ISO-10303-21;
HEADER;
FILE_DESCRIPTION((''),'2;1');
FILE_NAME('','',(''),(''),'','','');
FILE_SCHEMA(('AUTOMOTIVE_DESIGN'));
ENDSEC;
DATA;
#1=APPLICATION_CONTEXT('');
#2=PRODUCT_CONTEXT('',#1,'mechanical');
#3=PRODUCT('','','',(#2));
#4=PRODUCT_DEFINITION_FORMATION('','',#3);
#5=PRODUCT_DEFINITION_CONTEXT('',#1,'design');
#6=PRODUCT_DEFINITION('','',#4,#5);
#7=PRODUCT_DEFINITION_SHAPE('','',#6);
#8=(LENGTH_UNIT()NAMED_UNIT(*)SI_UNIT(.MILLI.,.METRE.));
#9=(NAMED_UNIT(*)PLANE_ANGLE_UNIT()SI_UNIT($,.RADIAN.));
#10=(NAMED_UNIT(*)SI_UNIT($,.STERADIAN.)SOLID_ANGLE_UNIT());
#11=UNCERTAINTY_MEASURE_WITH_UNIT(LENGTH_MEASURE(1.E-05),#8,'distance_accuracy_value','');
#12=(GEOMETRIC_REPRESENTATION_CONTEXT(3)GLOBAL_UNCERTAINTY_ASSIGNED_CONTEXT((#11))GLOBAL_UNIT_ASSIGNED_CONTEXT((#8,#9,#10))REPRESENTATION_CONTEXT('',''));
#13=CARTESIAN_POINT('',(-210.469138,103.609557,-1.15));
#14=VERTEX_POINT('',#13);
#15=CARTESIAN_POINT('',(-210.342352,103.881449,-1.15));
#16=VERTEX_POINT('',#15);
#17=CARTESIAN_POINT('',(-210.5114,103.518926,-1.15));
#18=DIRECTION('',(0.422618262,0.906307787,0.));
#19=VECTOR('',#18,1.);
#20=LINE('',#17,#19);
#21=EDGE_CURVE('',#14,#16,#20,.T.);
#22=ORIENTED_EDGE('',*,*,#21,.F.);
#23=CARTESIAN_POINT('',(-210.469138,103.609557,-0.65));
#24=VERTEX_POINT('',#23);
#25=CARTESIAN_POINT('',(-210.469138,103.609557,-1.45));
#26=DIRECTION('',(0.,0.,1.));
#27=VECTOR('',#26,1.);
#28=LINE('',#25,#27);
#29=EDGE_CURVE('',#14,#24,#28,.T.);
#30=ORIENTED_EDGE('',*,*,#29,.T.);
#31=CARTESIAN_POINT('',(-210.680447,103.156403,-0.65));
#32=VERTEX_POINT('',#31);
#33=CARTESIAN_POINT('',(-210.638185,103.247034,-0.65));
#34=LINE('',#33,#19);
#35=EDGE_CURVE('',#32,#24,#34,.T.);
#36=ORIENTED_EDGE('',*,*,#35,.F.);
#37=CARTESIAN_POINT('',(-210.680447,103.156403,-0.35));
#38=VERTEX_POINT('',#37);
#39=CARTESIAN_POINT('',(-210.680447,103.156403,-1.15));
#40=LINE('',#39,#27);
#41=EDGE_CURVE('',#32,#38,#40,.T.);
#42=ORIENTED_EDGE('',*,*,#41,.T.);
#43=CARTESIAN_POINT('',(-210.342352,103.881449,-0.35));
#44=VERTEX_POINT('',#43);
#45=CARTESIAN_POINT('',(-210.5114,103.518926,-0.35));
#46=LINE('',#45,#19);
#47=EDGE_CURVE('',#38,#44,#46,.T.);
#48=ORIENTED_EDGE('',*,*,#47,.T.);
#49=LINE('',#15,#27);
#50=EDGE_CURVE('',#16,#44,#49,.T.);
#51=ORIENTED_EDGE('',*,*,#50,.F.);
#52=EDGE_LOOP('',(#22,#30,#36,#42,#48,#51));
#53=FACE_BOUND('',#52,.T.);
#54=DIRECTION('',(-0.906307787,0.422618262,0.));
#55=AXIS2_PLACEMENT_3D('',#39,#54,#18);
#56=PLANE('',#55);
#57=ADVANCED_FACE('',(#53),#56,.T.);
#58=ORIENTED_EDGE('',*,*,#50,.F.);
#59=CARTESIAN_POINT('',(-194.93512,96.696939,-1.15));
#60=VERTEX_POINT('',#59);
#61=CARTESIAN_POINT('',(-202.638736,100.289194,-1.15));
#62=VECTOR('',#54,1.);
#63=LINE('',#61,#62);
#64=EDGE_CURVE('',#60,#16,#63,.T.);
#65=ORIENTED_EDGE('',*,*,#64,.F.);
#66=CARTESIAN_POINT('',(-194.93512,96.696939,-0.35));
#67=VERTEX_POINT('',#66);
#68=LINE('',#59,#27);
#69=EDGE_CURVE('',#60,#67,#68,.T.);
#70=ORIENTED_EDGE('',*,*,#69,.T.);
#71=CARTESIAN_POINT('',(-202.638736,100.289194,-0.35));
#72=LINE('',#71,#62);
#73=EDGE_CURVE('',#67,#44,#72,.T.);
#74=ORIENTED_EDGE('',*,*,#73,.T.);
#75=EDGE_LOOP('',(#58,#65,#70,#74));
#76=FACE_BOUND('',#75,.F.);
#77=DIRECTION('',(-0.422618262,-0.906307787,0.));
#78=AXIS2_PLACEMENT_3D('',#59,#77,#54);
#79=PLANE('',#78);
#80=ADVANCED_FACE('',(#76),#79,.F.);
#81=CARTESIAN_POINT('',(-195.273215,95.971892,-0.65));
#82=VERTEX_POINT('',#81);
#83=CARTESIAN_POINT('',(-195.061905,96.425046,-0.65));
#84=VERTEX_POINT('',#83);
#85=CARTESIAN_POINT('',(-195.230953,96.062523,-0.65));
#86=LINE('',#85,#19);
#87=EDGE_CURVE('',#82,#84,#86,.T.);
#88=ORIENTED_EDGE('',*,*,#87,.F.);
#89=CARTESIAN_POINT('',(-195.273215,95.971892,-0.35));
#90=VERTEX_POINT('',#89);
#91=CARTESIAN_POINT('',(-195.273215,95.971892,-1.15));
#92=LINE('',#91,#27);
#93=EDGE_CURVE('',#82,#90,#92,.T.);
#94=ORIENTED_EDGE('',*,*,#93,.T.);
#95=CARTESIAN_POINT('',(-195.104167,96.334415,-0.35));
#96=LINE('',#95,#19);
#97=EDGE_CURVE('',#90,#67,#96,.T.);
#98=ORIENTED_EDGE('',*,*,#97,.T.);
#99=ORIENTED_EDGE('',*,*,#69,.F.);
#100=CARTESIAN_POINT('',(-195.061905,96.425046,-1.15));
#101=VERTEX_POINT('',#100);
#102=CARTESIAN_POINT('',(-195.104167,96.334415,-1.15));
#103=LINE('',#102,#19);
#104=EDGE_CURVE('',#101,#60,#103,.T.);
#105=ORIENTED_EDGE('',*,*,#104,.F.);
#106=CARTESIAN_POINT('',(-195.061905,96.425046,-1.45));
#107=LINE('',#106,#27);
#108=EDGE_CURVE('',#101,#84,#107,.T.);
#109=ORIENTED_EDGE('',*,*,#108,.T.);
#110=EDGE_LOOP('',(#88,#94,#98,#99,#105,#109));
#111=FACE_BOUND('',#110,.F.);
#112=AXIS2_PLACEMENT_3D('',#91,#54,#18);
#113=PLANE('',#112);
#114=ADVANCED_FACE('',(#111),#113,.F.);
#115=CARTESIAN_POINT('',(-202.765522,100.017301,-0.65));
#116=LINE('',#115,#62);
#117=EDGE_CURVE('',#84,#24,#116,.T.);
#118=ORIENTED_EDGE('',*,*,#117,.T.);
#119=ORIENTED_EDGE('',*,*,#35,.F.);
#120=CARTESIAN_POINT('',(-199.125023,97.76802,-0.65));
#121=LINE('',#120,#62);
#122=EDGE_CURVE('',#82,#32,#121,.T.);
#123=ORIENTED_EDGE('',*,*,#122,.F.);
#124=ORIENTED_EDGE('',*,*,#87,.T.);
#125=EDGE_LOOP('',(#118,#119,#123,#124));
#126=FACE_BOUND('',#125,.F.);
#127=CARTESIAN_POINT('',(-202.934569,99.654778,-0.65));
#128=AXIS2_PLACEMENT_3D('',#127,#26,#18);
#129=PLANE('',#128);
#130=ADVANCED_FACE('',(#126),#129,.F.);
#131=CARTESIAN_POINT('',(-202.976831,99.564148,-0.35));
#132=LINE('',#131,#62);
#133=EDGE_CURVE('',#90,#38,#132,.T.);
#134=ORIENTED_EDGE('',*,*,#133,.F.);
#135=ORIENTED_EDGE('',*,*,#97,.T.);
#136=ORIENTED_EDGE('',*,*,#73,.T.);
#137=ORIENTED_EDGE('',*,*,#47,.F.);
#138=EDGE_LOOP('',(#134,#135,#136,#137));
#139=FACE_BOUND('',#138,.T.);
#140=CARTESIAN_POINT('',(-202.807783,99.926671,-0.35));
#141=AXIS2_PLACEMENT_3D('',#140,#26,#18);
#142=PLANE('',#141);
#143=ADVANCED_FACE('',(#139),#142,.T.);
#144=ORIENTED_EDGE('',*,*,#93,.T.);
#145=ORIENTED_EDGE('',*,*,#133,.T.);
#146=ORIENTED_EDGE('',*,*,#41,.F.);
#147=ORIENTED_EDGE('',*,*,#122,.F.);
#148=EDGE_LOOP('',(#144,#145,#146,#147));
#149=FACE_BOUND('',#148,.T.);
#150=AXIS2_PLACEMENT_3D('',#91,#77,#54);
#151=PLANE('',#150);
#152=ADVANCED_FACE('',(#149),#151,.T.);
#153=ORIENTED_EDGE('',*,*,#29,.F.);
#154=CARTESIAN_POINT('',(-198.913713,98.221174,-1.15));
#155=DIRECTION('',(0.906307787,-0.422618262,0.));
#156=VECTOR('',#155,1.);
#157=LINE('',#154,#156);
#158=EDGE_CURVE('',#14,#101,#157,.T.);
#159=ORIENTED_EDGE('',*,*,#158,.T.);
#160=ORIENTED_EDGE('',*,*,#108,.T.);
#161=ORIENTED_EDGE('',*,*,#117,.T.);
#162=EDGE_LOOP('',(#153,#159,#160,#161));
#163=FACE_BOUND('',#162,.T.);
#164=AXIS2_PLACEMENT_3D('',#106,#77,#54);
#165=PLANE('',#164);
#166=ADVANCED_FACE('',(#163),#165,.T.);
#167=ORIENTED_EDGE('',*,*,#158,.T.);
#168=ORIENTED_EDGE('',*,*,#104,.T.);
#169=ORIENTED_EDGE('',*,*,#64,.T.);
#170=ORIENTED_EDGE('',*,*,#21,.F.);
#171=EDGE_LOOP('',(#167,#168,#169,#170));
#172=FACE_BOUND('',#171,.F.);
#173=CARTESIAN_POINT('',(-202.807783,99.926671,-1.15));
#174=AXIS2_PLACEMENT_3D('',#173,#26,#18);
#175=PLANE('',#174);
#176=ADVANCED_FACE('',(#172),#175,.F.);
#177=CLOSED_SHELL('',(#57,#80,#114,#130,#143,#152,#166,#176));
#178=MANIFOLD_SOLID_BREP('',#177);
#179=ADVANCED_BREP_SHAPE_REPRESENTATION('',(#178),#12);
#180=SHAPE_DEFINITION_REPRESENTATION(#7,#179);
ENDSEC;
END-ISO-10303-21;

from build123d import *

# Parameters (mm, degrees)
BOX119_W               = 0.8
BOX119_H               = 17
BOX119_DEPTH           = 0.8
BOX120_W               = 0.8
BOX120_H               = 17
BOX120_DEPTH           = 0.8
CUT063_PLACEMENT_ANGLE = 65


with BuildPart() as cubo119:
    # Box119 → Box119 (new body)
    with BuildSketch(Plane.XY):
        with Locations((0.4, 8.5)):
            Rectangle(BOX119_W, BOX119_H)
    extrude(amount=BOX119_DEPTH)


with BuildPart() as perfil_l_2da_cara005:
    # Box120 → Box120 (new body)
    with BuildSketch(Plane(origin=(0.3, 0, 0.3), x_dir=(1, 0, 0), z_dir=(0, 0, 1))):
        with Locations((0.4, 8.5)):
            Rectangle(BOX120_W, BOX120_H)
    extrude(amount=BOX120_DEPTH)

    # Cut063: cut Cubo119
    add(cubo119.part, mode=Mode.SUBTRACT)


with BuildPart() as perfil_l_2da_cara005_1:
    # Cut063 placement: moved
    add(perfil_l_2da_cara005.part.moved(Location((-195.4, 95.7, -1.45))).rotate(Axis((-195.4, 95.7, -1.45), (0, 0, 1)), CUT063_PLACEMENT_ANGLE))


solid = perfil_l_2da_cara005_1.part
